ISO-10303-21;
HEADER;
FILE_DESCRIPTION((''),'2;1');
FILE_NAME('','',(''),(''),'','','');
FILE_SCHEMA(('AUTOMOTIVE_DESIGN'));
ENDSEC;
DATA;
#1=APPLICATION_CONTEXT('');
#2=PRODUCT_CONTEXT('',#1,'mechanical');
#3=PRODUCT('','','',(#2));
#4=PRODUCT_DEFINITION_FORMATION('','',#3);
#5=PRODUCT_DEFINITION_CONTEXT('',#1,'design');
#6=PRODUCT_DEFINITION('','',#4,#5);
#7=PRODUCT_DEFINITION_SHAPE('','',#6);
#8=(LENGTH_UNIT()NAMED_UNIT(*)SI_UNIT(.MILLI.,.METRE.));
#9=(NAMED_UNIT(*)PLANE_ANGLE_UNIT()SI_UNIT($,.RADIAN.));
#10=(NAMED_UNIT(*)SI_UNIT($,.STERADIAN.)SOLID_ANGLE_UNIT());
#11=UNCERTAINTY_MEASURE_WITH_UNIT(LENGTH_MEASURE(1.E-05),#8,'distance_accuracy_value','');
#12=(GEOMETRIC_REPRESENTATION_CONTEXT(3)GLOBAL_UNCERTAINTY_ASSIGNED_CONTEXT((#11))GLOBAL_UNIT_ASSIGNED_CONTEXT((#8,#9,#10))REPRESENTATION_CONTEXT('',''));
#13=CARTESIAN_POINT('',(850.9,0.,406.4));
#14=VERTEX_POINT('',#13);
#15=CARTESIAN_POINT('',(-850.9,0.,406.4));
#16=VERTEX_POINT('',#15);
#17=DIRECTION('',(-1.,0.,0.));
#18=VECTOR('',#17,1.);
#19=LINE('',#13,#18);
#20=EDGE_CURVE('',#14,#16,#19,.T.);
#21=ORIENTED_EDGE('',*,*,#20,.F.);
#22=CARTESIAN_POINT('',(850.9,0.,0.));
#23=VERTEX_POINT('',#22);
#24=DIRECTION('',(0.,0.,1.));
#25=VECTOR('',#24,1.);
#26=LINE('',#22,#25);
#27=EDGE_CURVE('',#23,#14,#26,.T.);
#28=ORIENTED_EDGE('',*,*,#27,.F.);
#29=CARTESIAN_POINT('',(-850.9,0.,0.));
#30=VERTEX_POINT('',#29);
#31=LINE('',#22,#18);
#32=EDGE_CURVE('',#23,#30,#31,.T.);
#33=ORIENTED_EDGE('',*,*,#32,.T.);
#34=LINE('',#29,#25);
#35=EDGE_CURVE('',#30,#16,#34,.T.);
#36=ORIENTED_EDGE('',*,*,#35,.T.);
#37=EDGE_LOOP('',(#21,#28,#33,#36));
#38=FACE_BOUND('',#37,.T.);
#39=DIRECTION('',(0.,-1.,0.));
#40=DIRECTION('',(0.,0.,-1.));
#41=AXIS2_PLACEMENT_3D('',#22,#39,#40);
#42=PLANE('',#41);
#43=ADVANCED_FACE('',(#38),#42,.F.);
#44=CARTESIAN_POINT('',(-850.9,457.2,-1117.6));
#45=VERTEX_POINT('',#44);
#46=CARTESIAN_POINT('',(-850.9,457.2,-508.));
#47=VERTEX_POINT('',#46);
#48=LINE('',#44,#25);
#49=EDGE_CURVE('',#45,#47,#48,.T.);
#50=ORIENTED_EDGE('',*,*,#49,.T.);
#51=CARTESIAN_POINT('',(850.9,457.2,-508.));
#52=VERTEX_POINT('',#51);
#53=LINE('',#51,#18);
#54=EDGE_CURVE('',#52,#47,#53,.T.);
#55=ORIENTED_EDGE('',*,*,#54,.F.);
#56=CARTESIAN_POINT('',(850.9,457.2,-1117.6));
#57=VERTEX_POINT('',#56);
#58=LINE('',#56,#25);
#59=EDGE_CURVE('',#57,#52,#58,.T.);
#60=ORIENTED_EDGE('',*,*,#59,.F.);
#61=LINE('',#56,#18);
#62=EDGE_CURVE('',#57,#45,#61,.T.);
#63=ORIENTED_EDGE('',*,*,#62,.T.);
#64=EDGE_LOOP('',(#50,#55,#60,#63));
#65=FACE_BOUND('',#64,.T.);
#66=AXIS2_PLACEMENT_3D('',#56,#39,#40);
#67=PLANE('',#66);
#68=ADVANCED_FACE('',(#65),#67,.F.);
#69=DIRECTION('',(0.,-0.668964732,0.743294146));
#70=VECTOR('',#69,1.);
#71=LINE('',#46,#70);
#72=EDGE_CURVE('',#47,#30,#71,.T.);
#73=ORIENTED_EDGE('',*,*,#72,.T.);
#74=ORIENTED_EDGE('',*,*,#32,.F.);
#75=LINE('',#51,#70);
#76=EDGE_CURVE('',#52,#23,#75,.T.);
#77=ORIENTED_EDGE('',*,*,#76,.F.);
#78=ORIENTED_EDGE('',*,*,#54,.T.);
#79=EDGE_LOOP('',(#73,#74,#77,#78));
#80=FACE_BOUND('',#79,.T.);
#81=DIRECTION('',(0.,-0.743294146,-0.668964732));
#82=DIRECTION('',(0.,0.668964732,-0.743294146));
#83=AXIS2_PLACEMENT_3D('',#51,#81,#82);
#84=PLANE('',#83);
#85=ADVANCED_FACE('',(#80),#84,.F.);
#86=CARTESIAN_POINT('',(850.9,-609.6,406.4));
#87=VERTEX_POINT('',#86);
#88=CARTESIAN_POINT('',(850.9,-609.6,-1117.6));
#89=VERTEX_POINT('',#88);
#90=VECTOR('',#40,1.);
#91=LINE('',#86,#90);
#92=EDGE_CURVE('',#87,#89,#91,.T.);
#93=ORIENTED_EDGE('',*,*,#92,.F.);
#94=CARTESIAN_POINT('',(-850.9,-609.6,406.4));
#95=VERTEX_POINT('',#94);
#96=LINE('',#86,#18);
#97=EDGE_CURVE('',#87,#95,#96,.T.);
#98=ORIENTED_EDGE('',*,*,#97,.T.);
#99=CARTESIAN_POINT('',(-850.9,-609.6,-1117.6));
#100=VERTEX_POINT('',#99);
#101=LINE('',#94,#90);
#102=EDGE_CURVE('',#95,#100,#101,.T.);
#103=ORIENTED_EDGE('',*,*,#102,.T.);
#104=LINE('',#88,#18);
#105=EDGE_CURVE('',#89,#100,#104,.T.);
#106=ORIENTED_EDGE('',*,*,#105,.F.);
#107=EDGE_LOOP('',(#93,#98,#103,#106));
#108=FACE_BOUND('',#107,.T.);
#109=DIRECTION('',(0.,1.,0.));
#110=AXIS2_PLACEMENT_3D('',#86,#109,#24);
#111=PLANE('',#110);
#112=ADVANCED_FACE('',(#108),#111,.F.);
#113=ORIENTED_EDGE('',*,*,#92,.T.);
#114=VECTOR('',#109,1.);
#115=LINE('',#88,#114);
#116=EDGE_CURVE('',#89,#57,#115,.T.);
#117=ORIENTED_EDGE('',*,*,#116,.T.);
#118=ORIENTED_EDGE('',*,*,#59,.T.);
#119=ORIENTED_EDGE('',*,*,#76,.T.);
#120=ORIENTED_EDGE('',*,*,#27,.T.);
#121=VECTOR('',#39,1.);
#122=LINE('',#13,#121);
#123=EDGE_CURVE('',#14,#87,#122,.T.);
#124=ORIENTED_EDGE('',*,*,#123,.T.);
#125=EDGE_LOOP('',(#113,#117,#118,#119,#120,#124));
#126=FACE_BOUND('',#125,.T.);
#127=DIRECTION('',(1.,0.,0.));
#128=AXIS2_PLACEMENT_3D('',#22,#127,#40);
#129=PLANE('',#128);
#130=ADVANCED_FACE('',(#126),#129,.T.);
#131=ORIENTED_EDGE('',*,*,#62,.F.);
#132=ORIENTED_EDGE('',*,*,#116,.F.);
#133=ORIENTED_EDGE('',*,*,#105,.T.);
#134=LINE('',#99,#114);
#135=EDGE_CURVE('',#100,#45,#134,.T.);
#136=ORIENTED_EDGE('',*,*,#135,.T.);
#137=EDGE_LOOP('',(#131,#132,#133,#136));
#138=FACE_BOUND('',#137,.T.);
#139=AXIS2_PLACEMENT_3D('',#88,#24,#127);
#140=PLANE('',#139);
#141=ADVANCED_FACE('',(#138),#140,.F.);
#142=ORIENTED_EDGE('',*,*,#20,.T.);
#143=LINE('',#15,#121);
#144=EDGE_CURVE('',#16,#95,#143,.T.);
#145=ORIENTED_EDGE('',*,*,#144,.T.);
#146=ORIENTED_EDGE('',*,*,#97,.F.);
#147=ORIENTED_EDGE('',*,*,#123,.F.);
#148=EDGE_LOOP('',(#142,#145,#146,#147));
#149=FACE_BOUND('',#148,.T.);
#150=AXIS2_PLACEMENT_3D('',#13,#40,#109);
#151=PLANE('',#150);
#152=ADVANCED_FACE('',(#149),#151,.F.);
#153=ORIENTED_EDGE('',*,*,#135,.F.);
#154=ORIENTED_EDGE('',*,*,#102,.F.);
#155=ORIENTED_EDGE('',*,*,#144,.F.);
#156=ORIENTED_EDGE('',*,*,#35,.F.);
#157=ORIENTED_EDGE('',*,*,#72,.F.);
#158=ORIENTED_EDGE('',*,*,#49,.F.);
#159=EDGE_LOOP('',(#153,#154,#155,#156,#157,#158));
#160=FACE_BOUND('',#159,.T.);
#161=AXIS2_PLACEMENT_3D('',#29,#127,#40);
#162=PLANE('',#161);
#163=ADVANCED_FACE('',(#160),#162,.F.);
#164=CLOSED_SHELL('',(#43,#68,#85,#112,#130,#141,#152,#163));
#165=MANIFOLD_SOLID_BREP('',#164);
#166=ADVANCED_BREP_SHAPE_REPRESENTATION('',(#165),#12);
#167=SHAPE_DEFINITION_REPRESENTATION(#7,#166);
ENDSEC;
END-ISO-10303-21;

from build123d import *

# Parameters (mm, degrees)
BOSS_EXTRUDE1_DEPTH = 850.9


with BuildPart() as part:
    # Sketch1 → Boss-Extrude1 (new body, symmetric)
    with BuildSketch(Plane(origin=(0, 0, 0), x_dir=(0, 0, -1), z_dir=(1, 0, 0))):
        Polygon((0, 0), (-406.4, 0), (-406.4, -609.6), (1117.6, -609.6), (1117.6, 457.2), (508, 457.2), align=None)
    extrude(amount=BOSS_EXTRUDE1_DEPTH, both=True)


solid = part.part
